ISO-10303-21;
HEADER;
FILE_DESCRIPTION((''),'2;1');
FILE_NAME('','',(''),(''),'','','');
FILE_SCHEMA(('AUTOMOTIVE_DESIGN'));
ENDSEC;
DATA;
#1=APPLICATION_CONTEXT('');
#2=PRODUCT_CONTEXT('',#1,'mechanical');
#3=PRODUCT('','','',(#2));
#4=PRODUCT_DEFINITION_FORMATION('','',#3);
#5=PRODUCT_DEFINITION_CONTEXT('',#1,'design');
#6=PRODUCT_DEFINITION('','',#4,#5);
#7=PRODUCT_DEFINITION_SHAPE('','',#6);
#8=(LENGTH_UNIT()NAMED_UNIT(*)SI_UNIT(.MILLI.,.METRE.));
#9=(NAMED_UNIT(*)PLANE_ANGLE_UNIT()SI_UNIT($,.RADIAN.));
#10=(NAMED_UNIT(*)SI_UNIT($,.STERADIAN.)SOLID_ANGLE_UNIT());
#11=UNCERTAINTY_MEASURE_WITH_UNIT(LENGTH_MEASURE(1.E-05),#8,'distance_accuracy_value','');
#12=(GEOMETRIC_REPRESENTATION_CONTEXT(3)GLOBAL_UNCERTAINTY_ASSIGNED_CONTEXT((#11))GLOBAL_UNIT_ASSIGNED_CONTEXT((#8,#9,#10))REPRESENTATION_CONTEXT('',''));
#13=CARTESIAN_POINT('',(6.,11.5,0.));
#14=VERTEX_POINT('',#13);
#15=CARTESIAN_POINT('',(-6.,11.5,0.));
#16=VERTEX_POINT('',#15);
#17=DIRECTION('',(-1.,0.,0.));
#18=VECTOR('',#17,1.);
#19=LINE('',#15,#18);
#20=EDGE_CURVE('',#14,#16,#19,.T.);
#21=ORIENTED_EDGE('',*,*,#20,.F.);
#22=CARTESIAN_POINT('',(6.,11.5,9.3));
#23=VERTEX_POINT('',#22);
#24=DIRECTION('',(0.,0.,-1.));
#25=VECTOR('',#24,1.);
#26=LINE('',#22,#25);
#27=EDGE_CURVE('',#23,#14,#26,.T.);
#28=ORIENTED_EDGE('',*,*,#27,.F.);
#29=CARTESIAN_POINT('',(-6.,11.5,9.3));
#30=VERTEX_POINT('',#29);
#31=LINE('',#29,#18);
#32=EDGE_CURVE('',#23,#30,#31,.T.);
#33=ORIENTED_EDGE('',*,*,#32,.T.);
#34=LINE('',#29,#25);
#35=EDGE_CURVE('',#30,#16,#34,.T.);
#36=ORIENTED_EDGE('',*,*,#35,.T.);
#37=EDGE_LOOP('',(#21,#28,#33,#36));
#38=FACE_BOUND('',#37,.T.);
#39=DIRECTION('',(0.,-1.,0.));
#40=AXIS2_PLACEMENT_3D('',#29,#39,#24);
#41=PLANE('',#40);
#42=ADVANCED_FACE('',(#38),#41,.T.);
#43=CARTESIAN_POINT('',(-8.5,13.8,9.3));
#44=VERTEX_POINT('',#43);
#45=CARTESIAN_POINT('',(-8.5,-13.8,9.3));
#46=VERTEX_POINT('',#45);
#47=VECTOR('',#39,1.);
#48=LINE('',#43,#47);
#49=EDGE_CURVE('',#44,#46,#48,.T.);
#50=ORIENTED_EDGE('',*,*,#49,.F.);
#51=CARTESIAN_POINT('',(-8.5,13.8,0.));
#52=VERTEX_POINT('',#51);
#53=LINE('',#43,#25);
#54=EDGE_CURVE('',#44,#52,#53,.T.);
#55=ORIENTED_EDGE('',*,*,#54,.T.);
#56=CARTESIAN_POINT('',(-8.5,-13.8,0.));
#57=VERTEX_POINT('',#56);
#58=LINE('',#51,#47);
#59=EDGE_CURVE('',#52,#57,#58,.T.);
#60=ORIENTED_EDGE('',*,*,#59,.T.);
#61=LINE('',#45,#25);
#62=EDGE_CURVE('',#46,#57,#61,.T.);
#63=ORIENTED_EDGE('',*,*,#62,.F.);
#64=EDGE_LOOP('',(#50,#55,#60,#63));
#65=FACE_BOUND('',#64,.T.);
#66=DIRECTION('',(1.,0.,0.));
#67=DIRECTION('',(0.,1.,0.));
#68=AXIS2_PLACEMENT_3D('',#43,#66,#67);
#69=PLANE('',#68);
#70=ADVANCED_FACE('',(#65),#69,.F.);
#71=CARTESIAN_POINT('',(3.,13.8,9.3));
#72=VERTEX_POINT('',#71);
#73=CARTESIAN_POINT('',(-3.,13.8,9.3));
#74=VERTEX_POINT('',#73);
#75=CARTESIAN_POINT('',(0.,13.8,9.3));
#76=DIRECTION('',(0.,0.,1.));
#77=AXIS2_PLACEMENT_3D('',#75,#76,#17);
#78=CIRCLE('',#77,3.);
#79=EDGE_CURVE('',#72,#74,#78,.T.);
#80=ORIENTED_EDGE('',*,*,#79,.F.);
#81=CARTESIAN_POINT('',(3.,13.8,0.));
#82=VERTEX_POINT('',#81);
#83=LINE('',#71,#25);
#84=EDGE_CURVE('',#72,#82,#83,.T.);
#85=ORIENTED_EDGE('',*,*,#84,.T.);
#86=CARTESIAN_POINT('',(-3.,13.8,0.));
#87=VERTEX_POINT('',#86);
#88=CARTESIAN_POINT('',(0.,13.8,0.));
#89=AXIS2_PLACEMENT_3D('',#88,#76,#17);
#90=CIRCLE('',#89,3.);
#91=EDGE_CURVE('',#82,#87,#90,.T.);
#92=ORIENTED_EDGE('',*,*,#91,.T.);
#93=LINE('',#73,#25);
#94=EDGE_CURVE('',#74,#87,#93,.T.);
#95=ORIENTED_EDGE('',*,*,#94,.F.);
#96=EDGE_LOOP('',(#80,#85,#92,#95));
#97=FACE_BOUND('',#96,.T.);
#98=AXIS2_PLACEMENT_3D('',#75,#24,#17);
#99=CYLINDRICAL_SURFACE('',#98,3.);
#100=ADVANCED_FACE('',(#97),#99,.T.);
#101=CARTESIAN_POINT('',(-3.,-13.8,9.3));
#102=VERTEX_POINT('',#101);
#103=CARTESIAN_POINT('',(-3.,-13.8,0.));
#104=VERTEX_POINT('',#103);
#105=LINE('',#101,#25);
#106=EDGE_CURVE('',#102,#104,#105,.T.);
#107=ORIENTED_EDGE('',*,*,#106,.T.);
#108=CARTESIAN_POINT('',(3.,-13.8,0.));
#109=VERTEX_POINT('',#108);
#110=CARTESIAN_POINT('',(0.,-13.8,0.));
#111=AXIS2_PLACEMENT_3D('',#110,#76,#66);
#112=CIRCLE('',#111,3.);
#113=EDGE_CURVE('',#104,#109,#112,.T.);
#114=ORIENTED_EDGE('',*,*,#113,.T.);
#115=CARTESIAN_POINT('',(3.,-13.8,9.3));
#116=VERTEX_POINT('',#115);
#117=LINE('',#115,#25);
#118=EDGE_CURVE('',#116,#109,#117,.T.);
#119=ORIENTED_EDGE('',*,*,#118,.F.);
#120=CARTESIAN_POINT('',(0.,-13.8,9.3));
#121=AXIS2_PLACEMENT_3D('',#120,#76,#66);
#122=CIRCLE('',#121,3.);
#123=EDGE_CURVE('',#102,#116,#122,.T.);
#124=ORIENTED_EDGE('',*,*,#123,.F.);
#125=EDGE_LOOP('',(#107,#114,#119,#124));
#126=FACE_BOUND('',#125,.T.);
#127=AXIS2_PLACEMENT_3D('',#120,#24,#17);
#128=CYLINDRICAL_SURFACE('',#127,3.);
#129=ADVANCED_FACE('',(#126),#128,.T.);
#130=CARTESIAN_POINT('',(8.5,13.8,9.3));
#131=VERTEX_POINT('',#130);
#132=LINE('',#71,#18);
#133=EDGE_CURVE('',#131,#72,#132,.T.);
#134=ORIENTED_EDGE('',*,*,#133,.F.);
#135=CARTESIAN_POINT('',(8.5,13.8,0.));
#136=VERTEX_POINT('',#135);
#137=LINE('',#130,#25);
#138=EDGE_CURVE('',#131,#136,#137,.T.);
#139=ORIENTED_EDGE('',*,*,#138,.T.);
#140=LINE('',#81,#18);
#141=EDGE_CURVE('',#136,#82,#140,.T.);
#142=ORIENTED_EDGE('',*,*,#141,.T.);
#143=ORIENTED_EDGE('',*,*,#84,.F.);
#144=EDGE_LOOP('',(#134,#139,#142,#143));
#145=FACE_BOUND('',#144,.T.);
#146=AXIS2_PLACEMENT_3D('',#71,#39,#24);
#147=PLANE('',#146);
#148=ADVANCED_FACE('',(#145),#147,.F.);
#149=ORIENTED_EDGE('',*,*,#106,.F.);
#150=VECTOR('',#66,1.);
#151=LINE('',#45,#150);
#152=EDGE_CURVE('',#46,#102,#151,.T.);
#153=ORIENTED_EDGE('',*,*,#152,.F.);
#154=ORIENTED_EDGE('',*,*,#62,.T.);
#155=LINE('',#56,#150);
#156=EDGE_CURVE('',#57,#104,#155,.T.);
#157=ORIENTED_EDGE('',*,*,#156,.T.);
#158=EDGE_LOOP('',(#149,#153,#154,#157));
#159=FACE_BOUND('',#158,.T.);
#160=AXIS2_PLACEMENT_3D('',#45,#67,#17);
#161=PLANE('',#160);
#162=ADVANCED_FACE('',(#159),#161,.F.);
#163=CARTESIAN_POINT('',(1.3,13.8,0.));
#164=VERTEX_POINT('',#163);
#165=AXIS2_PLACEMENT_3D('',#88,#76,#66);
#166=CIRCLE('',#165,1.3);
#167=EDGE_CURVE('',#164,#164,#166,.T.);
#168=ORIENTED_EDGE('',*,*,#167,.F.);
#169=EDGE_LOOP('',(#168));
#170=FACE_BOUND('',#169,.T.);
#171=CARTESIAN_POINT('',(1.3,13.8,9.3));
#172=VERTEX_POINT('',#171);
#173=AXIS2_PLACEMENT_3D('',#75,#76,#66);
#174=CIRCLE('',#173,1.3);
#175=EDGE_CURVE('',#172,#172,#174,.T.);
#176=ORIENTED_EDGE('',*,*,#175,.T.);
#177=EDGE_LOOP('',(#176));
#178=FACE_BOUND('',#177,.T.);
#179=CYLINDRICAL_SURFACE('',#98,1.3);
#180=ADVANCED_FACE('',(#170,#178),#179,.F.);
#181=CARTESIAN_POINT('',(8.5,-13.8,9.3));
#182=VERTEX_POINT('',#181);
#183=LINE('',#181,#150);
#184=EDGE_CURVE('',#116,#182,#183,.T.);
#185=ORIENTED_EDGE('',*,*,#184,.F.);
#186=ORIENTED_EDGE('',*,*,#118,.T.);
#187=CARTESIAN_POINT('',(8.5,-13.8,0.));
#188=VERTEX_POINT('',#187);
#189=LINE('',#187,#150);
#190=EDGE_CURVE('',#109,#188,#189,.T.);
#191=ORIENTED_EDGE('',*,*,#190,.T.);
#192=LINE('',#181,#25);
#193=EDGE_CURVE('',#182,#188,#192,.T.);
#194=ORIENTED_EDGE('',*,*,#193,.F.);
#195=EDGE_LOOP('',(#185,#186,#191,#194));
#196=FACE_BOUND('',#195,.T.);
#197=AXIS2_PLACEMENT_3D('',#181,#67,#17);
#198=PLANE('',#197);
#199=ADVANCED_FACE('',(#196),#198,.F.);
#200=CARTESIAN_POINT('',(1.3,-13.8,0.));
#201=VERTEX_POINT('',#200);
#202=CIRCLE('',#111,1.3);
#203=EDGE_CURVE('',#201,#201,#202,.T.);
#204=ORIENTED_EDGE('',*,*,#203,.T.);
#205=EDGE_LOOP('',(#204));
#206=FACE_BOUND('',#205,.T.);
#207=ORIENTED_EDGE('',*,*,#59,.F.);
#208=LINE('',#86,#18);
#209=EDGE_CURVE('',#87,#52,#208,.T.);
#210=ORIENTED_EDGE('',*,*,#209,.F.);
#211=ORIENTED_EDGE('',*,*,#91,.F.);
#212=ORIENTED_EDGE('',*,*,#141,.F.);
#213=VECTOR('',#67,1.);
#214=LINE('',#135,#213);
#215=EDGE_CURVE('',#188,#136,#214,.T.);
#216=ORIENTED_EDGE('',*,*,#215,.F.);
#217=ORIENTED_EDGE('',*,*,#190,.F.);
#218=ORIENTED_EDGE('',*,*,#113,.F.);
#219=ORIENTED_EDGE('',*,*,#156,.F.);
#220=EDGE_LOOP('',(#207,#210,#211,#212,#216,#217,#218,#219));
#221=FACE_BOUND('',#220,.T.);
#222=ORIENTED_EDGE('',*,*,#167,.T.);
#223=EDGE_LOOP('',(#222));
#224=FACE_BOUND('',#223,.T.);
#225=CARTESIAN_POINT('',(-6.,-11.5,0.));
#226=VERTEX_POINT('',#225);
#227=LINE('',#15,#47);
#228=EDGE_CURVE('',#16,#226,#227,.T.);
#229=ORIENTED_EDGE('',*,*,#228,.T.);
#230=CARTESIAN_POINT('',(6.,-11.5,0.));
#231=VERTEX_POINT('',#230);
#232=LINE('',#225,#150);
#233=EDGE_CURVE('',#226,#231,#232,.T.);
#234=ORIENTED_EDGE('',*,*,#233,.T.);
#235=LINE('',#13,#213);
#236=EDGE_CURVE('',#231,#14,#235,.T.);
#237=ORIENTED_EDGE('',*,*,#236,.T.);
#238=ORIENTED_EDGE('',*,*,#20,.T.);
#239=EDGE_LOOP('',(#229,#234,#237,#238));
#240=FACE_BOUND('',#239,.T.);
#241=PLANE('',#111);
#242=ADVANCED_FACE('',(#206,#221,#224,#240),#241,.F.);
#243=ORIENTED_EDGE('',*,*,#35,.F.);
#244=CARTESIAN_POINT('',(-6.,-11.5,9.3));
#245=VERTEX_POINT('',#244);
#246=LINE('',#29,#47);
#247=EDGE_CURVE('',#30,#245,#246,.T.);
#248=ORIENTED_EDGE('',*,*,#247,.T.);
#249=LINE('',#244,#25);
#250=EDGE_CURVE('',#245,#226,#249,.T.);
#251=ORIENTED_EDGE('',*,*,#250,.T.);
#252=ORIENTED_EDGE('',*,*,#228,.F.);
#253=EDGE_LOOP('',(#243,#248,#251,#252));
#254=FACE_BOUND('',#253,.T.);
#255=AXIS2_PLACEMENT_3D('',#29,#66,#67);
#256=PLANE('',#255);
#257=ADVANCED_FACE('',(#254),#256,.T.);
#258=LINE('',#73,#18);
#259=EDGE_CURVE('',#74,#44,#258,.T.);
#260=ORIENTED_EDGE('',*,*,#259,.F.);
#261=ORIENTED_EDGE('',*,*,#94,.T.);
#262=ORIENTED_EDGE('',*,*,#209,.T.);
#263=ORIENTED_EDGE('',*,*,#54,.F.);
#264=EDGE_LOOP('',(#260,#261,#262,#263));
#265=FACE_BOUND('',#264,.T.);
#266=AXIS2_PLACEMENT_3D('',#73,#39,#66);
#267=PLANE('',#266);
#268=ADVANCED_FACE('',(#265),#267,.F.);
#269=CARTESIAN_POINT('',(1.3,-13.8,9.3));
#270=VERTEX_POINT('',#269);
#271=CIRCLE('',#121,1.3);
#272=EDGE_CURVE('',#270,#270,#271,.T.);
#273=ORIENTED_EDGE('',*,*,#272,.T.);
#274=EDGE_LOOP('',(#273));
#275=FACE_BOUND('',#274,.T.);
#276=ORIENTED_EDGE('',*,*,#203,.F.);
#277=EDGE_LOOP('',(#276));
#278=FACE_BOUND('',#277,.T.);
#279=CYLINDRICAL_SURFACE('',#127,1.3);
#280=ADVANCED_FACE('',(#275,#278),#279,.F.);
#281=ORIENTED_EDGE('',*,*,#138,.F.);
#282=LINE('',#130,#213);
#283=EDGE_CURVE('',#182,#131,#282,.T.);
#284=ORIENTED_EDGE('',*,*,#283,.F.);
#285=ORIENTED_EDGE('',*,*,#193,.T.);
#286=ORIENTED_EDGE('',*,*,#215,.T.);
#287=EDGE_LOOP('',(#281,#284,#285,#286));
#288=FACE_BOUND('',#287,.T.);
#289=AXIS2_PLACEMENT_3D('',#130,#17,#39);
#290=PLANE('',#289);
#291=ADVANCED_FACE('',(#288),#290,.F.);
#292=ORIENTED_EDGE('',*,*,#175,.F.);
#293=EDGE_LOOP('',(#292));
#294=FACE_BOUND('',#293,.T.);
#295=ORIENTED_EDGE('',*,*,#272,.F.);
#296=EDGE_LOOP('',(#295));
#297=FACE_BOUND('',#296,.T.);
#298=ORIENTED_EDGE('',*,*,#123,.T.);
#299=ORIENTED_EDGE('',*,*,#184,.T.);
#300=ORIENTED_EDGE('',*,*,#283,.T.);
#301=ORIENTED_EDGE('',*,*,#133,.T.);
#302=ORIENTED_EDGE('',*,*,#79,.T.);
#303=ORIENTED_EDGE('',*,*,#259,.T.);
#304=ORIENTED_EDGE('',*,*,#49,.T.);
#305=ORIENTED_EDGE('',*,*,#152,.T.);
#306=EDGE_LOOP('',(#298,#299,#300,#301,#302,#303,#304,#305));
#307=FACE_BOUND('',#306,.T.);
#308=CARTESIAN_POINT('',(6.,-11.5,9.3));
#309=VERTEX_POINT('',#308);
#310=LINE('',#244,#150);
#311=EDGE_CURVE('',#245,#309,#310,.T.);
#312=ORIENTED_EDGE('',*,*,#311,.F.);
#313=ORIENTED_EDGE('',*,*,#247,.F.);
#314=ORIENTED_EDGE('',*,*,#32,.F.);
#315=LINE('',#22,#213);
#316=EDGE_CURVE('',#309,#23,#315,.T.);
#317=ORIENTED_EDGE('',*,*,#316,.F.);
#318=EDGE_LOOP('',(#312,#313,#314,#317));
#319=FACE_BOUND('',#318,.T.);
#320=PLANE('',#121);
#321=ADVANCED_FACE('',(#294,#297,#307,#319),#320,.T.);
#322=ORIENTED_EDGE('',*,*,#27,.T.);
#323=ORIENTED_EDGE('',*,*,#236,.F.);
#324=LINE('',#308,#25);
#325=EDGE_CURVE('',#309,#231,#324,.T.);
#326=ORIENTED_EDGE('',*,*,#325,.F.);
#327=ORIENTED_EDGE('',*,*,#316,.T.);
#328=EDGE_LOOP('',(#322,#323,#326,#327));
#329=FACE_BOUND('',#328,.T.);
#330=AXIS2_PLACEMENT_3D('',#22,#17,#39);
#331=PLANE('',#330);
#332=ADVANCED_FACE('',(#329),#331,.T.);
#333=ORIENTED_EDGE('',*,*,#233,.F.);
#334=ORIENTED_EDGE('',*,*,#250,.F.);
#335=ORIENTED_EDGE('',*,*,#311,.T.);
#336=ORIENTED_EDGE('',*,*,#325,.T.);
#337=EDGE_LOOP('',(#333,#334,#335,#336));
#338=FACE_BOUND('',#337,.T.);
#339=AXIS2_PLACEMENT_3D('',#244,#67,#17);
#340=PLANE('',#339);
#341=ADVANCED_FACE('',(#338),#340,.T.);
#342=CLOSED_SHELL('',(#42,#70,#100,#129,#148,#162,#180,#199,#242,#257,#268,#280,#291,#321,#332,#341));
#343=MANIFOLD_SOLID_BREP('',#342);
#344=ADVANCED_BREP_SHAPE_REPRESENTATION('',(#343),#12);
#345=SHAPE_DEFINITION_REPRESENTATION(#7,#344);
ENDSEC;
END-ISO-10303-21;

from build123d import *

# Parameters (mm, degrees)
SKETCH1_R           = 1.3
SKETCH1_W           = 12
SKETCH1_H           = 23
BOSS_EXTRUDE1_DEPTH = 9.3


with BuildPart() as part:
    # Sketch1 → Boss-Extrude1 (new body)
    with BuildSketch(Plane.XY):
        with BuildLine():
            Line((-3, 13.8), (-8.5, 13.8))
            Line((-8.5, 13.8), (-8.5, -13.8))
            Line((-8.5, -13.8), (-3, -13.8))
            ThreePointArc((-3, -13.8), (0, -16.8), (3, -13.8))
            Line((3, -13.8), (8.5, -13.8))
            Line((8.5, -13.8), (8.5, 13.8))
            Line((8.5, 13.8), (3, 13.8))
            ThreePointArc((3, 13.8), (0, 16.8), (-3, 13.8))
        make_face()
        with Locations((0, 13.8)):
            Circle(SKETCH1_R, mode=Mode.SUBTRACT)
        with Locations((0, -13.8)):
            Circle(SKETCH1_R, mode=Mode.SUBTRACT)
        Rectangle(SKETCH1_W, SKETCH1_H, mode=Mode.SUBTRACT)
    extrude(amount=BOSS_EXTRUDE1_DEPTH)


solid = part.part
